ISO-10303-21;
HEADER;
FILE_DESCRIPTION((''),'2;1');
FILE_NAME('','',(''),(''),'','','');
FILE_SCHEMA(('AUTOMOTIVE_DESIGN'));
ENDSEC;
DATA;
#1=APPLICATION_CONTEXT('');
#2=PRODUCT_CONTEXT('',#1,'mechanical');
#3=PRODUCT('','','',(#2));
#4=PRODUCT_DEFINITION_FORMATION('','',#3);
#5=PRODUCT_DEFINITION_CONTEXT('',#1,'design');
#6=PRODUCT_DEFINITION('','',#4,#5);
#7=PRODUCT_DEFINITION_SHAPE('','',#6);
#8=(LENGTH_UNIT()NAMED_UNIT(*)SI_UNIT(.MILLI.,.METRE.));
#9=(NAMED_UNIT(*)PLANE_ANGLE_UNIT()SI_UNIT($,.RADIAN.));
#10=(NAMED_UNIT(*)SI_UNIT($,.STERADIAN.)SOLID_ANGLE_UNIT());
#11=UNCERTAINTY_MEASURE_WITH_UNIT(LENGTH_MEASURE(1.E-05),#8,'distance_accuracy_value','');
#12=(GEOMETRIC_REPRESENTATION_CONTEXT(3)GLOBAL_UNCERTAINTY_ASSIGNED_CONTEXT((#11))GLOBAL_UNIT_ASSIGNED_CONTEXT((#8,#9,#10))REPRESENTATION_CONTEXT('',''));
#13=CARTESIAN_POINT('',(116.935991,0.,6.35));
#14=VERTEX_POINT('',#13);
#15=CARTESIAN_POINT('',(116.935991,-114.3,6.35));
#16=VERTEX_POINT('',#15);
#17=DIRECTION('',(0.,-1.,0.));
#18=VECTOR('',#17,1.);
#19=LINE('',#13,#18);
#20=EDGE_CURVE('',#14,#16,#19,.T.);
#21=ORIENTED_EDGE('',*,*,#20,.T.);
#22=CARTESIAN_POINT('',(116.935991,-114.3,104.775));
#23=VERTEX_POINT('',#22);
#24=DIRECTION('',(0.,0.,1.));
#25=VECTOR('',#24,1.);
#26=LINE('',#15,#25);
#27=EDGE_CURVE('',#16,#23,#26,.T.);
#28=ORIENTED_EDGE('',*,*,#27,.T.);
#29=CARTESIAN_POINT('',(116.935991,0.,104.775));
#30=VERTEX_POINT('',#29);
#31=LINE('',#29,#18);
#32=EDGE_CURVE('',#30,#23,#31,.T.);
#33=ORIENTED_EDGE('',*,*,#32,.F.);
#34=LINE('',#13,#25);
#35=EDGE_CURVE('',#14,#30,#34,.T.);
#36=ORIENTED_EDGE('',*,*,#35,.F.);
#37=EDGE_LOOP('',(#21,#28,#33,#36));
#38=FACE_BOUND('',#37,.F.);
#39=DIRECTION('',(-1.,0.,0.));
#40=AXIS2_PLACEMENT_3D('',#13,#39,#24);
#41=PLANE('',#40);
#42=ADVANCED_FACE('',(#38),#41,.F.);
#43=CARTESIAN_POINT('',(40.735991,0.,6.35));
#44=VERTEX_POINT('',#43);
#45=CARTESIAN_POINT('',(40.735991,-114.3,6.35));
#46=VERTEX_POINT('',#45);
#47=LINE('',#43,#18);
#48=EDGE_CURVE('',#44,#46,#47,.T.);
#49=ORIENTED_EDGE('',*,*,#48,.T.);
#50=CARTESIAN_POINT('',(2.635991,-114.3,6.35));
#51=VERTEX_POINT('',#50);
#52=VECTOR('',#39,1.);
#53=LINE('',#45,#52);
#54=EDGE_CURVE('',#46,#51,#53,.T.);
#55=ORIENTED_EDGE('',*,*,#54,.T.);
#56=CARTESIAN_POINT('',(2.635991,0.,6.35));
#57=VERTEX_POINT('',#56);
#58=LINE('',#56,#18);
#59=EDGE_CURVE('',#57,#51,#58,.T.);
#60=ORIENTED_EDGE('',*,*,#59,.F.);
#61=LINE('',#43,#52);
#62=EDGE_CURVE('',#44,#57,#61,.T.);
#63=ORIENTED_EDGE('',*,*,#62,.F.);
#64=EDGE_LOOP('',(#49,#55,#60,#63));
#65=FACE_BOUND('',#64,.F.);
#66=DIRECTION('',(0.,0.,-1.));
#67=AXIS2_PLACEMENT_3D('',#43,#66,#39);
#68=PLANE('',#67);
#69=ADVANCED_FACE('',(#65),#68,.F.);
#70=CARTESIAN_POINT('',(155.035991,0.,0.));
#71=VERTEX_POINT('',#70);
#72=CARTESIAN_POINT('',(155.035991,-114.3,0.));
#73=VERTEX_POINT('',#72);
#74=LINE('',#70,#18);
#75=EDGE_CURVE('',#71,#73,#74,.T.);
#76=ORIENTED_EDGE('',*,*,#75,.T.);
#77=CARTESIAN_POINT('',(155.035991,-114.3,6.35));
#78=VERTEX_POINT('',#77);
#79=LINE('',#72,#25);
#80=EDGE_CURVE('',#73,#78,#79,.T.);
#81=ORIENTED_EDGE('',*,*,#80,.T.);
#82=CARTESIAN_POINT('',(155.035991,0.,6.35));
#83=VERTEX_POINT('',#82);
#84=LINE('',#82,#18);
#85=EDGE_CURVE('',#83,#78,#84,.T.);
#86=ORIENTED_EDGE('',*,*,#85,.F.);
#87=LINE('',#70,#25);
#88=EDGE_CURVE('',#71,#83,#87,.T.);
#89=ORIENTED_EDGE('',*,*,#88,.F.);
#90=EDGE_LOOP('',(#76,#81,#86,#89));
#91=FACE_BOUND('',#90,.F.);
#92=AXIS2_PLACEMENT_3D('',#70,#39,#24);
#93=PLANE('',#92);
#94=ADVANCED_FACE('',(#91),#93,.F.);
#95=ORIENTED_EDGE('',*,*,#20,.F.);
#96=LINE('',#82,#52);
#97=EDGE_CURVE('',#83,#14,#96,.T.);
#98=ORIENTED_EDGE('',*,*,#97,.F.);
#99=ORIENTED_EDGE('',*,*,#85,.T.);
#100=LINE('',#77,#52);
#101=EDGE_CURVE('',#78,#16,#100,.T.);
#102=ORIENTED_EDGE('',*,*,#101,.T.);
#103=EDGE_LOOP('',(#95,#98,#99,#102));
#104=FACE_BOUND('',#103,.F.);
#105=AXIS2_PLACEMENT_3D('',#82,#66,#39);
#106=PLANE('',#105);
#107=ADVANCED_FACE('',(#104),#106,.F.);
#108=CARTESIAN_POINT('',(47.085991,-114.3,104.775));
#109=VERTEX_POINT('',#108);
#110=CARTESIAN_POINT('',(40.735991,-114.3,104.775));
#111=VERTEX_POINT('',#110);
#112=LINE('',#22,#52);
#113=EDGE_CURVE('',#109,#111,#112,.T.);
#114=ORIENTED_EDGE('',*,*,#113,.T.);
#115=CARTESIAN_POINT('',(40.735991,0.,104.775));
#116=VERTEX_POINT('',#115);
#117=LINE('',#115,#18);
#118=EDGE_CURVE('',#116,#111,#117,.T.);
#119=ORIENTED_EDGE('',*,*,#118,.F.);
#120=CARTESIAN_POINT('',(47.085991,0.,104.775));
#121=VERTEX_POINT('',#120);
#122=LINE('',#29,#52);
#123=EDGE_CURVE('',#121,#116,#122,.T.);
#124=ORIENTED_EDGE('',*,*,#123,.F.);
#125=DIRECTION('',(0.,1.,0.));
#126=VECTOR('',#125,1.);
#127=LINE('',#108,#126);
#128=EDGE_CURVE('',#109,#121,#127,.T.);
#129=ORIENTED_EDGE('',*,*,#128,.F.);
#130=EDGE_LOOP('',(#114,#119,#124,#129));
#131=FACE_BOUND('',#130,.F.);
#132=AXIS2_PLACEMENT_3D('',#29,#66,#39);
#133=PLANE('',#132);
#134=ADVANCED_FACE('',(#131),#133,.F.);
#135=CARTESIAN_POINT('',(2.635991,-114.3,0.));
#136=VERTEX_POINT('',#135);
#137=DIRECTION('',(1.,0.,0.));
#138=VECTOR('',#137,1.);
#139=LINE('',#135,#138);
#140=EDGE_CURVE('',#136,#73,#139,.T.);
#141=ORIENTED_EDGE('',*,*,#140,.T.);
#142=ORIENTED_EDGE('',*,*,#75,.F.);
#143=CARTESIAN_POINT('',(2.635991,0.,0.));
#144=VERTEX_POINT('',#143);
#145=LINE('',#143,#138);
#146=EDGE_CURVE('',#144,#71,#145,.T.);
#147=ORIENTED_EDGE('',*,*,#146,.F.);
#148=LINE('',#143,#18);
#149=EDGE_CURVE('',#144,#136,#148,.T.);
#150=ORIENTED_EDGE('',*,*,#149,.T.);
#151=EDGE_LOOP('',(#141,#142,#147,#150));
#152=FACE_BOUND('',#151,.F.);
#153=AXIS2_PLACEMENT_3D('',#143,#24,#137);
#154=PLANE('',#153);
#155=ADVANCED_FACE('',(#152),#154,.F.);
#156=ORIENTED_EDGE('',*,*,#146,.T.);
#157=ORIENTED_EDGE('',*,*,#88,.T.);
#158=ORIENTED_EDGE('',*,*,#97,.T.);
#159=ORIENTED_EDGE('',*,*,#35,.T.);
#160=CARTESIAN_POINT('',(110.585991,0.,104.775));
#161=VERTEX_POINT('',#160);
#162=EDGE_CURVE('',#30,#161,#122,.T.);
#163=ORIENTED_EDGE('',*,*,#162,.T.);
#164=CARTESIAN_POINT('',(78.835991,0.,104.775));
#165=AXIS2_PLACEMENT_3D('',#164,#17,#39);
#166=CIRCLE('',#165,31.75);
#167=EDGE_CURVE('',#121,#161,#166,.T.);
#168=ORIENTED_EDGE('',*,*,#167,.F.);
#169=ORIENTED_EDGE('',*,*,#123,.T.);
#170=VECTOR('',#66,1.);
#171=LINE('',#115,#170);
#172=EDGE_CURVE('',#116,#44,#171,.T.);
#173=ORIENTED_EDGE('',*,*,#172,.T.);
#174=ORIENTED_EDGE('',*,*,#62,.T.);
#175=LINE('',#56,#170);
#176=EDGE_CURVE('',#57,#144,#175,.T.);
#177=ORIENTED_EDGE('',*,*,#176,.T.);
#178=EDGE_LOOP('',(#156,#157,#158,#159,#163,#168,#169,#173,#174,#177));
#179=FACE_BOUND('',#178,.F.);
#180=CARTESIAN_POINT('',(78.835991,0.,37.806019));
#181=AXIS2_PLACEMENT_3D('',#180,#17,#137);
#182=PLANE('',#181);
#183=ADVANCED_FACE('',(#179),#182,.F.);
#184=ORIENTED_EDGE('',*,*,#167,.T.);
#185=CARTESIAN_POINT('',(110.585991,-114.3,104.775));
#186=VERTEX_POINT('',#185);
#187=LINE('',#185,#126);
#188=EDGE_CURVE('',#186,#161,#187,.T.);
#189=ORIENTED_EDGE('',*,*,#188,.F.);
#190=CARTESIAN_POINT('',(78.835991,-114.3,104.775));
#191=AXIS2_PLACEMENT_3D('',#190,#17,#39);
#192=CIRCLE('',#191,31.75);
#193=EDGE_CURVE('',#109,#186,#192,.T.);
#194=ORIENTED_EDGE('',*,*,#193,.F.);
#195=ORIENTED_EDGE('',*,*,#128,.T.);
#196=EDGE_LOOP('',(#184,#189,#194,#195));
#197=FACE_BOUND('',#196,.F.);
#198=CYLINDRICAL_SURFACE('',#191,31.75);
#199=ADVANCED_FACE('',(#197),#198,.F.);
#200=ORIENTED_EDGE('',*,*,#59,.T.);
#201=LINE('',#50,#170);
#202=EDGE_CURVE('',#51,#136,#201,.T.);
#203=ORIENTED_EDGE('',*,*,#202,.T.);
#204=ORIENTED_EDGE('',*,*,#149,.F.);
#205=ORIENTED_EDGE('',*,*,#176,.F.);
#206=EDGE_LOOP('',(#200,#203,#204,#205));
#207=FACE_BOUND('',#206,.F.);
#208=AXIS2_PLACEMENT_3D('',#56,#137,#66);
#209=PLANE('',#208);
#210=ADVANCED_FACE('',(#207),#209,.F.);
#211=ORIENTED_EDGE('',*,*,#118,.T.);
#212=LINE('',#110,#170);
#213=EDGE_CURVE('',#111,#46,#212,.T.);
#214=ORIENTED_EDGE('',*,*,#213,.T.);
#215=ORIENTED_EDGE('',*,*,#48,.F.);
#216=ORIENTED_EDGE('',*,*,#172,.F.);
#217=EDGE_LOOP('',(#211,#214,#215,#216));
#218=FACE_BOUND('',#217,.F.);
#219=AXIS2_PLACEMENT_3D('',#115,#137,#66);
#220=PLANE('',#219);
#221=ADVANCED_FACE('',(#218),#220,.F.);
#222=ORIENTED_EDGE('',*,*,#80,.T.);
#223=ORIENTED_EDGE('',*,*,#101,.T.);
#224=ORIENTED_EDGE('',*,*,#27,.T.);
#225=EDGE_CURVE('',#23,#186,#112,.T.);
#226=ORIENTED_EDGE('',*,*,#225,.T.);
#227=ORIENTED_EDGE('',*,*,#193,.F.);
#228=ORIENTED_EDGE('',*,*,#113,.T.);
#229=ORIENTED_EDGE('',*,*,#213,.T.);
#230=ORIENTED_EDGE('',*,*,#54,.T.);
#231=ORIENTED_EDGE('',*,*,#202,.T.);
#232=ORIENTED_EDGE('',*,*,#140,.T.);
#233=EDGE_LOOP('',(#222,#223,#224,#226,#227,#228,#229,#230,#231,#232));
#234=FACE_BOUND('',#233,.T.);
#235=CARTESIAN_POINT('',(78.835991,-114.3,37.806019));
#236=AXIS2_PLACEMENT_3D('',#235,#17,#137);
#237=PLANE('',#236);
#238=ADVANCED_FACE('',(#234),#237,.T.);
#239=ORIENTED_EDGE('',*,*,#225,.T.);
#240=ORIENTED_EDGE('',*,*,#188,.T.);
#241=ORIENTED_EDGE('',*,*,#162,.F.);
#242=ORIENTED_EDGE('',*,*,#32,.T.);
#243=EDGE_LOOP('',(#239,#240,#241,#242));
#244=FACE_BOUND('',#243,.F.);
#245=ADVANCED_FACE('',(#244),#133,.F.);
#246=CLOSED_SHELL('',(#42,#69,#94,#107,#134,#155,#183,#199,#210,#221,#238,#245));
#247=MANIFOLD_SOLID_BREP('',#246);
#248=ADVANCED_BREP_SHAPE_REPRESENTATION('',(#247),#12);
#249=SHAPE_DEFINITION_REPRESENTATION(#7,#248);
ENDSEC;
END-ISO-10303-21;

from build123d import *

# Parameters (mm, degrees)
F1_DEPTH = 114.3
F3_DEPTH = 114.3


with BuildPart() as f1:
    # F0 (on Front) → F1 (new body)
    with BuildSketch(Plane.XZ):
        Polygon((2.635991, 6.35), (2.635991, 0), (155.035991, 0), (155.035991, 6.35), (116.935991, 6.35), (116.935991, 104.775), (40.735991, 104.775), (40.735991, 6.35), align=None)
    extrude(amount=F1_DEPTH)

    # F2 (on face) → F3 (cut, through all)
    with BuildSketch(Plane.XZ.offset(114.3)):
        with BuildLine():
            Line((110.585991, 104.775), (47.085991, 104.775))
            ThreePointArc((47.085991, 104.775), (78.835991, 73.025), (110.585991, 104.775))
        make_face()
    extrude(amount=-F3_DEPTH, mode=Mode.SUBTRACT)


solid = f1.part
